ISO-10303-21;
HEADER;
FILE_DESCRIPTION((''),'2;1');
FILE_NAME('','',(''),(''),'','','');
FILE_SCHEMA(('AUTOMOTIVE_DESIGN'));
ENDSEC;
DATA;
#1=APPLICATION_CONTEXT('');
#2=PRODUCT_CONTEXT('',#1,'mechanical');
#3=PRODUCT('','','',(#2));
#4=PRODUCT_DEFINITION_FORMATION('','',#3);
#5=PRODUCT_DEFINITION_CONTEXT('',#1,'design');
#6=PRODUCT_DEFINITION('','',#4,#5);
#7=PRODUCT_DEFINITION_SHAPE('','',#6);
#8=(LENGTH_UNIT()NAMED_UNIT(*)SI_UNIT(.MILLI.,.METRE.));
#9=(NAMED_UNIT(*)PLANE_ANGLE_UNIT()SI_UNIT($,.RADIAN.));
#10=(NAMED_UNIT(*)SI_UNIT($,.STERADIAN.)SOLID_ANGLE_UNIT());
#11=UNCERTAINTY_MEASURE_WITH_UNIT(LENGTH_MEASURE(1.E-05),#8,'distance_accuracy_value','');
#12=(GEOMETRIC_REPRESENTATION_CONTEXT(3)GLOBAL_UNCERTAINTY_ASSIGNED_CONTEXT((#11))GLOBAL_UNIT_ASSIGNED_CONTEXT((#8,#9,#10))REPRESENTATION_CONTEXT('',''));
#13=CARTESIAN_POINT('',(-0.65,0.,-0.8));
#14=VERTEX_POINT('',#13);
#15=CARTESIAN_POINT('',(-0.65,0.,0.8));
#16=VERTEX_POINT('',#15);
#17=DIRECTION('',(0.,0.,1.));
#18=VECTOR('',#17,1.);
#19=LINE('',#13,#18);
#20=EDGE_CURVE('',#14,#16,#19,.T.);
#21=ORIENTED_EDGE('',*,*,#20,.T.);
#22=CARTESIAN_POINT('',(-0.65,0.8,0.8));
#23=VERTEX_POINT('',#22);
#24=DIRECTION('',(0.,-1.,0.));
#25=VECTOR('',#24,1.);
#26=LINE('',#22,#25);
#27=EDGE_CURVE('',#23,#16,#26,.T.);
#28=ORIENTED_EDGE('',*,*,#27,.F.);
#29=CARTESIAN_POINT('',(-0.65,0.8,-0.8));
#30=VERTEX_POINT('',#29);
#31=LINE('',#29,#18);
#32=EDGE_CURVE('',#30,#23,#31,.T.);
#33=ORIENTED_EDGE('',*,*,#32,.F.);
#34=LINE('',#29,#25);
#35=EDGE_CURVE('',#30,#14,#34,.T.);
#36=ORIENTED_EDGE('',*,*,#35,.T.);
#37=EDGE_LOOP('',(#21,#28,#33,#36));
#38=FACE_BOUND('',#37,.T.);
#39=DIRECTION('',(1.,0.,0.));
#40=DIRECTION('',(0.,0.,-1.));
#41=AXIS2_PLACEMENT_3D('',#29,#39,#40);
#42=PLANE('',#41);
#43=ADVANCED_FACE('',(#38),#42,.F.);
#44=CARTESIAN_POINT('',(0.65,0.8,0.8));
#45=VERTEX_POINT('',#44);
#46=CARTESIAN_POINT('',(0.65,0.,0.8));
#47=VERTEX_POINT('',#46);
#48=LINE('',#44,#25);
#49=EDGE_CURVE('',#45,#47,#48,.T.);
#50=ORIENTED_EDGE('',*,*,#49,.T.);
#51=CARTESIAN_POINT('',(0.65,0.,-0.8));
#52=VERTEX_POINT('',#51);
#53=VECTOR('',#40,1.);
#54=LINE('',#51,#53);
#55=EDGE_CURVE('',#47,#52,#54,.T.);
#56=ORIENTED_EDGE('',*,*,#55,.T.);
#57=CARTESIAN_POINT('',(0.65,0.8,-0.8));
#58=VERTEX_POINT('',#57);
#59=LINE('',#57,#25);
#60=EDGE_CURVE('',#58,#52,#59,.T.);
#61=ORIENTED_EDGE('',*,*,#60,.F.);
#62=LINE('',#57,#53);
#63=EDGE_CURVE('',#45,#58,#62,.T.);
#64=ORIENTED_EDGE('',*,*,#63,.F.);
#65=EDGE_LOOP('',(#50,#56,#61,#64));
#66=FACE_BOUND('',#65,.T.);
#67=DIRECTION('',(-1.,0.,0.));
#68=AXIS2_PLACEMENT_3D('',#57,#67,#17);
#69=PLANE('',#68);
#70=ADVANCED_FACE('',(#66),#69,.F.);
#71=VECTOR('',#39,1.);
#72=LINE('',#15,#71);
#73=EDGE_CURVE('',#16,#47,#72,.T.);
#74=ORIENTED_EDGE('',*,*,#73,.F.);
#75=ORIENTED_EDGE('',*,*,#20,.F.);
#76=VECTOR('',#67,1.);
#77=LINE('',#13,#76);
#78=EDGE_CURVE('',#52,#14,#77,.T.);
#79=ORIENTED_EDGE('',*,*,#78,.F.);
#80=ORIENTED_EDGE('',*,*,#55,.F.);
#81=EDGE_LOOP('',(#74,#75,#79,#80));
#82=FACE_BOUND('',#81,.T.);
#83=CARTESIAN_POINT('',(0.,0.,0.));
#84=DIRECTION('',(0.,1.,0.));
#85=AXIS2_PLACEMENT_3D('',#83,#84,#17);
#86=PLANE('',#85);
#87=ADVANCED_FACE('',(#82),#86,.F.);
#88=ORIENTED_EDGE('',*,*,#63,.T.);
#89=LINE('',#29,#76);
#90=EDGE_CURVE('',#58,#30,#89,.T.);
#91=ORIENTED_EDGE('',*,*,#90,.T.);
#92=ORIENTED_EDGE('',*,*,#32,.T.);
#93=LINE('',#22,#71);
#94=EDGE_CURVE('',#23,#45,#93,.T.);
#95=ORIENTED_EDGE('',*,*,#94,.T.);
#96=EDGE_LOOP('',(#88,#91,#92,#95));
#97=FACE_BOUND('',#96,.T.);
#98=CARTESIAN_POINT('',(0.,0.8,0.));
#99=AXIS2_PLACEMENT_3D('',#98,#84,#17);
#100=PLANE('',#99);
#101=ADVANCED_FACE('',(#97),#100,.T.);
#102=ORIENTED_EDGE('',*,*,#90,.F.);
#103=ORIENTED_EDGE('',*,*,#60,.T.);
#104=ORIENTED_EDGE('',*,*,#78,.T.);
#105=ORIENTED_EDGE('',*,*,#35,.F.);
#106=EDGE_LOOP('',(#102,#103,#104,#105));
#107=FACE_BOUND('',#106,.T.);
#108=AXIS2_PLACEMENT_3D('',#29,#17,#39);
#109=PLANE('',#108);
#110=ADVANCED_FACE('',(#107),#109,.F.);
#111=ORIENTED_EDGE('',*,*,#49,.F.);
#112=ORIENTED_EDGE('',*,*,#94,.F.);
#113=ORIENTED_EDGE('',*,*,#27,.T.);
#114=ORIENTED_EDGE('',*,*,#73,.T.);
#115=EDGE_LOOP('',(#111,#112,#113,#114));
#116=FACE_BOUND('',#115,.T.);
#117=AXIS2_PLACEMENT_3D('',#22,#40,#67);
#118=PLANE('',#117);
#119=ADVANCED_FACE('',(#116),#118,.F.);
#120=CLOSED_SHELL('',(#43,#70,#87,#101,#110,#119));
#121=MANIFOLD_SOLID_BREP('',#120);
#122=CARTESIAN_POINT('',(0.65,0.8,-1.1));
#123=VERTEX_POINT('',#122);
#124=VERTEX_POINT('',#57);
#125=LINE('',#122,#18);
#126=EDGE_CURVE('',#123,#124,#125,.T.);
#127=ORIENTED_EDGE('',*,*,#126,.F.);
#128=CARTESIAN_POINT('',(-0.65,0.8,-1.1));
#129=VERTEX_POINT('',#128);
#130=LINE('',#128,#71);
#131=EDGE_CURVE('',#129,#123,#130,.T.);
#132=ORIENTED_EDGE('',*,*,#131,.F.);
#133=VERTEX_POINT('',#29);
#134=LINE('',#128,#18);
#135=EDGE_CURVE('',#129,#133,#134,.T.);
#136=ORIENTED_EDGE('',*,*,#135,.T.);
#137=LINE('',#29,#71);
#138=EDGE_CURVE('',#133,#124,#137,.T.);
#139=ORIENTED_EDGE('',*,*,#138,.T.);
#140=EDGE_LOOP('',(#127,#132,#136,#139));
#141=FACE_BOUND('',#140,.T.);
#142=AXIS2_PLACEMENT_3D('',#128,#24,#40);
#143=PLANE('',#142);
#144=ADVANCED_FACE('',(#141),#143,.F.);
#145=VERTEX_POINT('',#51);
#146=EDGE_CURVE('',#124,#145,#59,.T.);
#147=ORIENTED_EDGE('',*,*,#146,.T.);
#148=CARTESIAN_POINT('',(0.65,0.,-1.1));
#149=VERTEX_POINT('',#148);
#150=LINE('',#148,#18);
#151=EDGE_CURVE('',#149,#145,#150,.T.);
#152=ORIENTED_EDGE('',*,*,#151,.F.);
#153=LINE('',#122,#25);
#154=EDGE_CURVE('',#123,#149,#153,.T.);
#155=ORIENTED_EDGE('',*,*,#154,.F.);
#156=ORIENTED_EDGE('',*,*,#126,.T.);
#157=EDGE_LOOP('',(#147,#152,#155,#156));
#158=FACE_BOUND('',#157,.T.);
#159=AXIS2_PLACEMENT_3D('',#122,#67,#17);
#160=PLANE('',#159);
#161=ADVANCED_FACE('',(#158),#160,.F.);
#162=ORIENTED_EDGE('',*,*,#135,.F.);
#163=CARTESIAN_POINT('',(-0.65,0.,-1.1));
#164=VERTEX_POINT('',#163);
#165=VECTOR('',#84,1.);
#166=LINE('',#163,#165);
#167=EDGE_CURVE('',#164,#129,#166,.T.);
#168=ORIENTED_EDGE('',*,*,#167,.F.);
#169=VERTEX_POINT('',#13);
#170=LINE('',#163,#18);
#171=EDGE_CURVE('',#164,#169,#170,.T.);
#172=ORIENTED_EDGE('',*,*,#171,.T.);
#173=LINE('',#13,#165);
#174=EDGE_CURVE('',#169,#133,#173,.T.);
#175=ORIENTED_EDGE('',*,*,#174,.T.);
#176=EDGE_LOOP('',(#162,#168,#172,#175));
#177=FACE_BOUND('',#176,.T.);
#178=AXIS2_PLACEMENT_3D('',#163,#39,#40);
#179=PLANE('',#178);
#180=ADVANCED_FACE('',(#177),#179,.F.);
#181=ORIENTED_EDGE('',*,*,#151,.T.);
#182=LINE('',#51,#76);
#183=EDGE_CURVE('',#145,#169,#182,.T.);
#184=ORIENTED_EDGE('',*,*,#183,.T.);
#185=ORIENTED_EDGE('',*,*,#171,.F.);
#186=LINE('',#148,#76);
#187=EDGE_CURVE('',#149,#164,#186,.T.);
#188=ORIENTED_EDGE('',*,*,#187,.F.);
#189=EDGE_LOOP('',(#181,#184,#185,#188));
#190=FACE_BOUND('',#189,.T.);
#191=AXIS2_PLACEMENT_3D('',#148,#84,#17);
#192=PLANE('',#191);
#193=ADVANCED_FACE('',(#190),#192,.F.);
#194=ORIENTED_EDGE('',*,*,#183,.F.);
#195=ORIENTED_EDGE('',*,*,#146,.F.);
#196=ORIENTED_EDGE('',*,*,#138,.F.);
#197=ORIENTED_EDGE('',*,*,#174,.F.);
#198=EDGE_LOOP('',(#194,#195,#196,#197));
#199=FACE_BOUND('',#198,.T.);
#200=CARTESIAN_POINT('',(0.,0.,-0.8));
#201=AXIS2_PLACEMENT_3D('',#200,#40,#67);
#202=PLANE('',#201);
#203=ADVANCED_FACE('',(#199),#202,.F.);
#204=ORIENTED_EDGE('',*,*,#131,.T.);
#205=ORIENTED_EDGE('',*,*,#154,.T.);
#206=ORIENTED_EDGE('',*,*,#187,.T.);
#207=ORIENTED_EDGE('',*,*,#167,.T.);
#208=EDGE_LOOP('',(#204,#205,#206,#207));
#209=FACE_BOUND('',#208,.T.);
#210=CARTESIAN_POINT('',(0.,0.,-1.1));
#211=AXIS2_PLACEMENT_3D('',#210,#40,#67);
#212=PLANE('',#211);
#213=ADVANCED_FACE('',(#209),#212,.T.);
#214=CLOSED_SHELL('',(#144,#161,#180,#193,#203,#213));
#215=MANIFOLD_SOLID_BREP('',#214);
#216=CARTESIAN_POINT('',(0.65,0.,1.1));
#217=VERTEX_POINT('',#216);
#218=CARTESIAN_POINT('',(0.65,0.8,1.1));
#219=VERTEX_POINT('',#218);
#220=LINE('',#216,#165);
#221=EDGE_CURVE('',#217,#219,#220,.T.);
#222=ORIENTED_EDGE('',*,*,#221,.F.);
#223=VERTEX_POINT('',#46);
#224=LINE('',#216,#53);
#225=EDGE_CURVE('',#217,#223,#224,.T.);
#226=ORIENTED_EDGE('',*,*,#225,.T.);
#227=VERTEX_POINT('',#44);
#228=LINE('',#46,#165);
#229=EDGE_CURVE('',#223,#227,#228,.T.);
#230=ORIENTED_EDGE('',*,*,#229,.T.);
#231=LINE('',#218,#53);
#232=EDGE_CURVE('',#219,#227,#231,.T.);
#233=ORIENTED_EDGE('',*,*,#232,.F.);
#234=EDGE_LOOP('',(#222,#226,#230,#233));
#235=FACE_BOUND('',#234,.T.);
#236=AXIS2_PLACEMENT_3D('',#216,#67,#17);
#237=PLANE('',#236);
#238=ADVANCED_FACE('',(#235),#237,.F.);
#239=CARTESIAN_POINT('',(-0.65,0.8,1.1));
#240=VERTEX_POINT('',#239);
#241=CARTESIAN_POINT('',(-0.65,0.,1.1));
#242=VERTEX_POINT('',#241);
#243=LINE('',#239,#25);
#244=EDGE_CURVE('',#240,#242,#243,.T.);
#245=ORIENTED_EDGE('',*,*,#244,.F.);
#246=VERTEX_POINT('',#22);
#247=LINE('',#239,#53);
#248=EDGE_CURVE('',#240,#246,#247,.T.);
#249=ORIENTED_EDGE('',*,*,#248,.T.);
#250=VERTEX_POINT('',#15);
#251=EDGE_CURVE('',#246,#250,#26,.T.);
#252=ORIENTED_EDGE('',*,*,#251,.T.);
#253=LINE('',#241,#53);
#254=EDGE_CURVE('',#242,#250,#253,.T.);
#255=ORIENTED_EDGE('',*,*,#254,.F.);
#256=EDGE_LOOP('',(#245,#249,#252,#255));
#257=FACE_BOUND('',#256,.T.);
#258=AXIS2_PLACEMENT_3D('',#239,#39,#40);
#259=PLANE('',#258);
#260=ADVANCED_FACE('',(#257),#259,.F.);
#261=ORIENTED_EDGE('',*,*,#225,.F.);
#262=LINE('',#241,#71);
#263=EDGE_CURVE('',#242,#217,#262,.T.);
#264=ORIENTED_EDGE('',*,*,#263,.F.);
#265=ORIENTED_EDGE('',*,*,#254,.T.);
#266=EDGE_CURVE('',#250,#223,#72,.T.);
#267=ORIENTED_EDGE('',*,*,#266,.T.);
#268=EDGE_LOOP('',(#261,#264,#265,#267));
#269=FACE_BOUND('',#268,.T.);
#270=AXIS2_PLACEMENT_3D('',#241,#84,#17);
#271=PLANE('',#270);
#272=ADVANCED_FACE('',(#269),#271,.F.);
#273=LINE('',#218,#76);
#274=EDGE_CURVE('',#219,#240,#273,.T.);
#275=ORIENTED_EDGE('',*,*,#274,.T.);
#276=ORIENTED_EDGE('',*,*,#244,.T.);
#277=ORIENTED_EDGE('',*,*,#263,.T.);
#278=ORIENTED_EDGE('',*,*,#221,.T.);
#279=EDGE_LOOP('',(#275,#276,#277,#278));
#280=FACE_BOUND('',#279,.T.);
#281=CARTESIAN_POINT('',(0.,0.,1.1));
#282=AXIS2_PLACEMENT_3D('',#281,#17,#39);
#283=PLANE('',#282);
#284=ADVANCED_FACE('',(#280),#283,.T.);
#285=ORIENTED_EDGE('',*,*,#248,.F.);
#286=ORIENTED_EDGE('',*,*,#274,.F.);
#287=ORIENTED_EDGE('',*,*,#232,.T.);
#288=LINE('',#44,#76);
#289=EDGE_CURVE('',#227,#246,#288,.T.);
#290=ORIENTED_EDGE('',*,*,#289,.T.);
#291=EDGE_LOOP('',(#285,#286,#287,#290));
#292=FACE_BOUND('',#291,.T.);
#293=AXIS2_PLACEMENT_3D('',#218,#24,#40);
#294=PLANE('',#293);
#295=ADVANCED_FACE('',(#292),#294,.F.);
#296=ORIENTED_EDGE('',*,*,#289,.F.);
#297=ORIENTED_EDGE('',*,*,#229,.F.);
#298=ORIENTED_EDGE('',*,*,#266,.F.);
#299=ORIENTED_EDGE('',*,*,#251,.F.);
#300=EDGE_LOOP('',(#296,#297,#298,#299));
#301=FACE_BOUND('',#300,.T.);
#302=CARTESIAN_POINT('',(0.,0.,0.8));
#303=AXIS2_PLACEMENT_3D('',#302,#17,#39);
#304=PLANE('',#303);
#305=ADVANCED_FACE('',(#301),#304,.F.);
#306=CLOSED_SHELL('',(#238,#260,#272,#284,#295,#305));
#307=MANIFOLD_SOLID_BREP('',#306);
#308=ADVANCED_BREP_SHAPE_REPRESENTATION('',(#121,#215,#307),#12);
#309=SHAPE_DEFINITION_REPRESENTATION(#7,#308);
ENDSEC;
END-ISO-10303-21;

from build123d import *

# Parameters (mm, degrees)
SKETCH1_W  = 1.3
SKETCH1_H  = 1.6
MB_DEPTH   = 0.8
SKETCH2_W  = 1.3
SKETCH2_H  = 0.8
SB_L_DEPTH = 0.3
SKETCH3_W  = 1.3
SKETCH3_H  = 0.8
SB_R_DEPTH = 0.3


with BuildPart() as part:
    # Sketch1 → MB (new body)
    with BuildSketch(Plane(origin=(0, 0, 0), x_dir=(1, 0, 0), z_dir=(0, 1, 0))):
        Rectangle(SKETCH1_W, SKETCH1_H)
    extrude(amount=MB_DEPTH)


with BuildPart() as body_2:
    # Sketch2 → SB L (new body)
    with BuildSketch(Plane.XY.offset(0.8)):
        with Locations((0, 0.4)):
            Rectangle(SKETCH2_W, SKETCH2_H)
    extrude(amount=SB_L_DEPTH)


with BuildPart() as body_3:
    # Sketch3 → SB R (new body)
    with BuildSketch(Plane(origin=(0, 0, -0.8), x_dir=(-1, 0, 0), z_dir=(0, 0, -1))):
        with Locations((0, 0.4)):
            Rectangle(SKETCH3_W, SKETCH3_H)
    extrude(amount=SB_R_DEPTH)


solid = Compound([part.part, body_2.part, body_3.part])
